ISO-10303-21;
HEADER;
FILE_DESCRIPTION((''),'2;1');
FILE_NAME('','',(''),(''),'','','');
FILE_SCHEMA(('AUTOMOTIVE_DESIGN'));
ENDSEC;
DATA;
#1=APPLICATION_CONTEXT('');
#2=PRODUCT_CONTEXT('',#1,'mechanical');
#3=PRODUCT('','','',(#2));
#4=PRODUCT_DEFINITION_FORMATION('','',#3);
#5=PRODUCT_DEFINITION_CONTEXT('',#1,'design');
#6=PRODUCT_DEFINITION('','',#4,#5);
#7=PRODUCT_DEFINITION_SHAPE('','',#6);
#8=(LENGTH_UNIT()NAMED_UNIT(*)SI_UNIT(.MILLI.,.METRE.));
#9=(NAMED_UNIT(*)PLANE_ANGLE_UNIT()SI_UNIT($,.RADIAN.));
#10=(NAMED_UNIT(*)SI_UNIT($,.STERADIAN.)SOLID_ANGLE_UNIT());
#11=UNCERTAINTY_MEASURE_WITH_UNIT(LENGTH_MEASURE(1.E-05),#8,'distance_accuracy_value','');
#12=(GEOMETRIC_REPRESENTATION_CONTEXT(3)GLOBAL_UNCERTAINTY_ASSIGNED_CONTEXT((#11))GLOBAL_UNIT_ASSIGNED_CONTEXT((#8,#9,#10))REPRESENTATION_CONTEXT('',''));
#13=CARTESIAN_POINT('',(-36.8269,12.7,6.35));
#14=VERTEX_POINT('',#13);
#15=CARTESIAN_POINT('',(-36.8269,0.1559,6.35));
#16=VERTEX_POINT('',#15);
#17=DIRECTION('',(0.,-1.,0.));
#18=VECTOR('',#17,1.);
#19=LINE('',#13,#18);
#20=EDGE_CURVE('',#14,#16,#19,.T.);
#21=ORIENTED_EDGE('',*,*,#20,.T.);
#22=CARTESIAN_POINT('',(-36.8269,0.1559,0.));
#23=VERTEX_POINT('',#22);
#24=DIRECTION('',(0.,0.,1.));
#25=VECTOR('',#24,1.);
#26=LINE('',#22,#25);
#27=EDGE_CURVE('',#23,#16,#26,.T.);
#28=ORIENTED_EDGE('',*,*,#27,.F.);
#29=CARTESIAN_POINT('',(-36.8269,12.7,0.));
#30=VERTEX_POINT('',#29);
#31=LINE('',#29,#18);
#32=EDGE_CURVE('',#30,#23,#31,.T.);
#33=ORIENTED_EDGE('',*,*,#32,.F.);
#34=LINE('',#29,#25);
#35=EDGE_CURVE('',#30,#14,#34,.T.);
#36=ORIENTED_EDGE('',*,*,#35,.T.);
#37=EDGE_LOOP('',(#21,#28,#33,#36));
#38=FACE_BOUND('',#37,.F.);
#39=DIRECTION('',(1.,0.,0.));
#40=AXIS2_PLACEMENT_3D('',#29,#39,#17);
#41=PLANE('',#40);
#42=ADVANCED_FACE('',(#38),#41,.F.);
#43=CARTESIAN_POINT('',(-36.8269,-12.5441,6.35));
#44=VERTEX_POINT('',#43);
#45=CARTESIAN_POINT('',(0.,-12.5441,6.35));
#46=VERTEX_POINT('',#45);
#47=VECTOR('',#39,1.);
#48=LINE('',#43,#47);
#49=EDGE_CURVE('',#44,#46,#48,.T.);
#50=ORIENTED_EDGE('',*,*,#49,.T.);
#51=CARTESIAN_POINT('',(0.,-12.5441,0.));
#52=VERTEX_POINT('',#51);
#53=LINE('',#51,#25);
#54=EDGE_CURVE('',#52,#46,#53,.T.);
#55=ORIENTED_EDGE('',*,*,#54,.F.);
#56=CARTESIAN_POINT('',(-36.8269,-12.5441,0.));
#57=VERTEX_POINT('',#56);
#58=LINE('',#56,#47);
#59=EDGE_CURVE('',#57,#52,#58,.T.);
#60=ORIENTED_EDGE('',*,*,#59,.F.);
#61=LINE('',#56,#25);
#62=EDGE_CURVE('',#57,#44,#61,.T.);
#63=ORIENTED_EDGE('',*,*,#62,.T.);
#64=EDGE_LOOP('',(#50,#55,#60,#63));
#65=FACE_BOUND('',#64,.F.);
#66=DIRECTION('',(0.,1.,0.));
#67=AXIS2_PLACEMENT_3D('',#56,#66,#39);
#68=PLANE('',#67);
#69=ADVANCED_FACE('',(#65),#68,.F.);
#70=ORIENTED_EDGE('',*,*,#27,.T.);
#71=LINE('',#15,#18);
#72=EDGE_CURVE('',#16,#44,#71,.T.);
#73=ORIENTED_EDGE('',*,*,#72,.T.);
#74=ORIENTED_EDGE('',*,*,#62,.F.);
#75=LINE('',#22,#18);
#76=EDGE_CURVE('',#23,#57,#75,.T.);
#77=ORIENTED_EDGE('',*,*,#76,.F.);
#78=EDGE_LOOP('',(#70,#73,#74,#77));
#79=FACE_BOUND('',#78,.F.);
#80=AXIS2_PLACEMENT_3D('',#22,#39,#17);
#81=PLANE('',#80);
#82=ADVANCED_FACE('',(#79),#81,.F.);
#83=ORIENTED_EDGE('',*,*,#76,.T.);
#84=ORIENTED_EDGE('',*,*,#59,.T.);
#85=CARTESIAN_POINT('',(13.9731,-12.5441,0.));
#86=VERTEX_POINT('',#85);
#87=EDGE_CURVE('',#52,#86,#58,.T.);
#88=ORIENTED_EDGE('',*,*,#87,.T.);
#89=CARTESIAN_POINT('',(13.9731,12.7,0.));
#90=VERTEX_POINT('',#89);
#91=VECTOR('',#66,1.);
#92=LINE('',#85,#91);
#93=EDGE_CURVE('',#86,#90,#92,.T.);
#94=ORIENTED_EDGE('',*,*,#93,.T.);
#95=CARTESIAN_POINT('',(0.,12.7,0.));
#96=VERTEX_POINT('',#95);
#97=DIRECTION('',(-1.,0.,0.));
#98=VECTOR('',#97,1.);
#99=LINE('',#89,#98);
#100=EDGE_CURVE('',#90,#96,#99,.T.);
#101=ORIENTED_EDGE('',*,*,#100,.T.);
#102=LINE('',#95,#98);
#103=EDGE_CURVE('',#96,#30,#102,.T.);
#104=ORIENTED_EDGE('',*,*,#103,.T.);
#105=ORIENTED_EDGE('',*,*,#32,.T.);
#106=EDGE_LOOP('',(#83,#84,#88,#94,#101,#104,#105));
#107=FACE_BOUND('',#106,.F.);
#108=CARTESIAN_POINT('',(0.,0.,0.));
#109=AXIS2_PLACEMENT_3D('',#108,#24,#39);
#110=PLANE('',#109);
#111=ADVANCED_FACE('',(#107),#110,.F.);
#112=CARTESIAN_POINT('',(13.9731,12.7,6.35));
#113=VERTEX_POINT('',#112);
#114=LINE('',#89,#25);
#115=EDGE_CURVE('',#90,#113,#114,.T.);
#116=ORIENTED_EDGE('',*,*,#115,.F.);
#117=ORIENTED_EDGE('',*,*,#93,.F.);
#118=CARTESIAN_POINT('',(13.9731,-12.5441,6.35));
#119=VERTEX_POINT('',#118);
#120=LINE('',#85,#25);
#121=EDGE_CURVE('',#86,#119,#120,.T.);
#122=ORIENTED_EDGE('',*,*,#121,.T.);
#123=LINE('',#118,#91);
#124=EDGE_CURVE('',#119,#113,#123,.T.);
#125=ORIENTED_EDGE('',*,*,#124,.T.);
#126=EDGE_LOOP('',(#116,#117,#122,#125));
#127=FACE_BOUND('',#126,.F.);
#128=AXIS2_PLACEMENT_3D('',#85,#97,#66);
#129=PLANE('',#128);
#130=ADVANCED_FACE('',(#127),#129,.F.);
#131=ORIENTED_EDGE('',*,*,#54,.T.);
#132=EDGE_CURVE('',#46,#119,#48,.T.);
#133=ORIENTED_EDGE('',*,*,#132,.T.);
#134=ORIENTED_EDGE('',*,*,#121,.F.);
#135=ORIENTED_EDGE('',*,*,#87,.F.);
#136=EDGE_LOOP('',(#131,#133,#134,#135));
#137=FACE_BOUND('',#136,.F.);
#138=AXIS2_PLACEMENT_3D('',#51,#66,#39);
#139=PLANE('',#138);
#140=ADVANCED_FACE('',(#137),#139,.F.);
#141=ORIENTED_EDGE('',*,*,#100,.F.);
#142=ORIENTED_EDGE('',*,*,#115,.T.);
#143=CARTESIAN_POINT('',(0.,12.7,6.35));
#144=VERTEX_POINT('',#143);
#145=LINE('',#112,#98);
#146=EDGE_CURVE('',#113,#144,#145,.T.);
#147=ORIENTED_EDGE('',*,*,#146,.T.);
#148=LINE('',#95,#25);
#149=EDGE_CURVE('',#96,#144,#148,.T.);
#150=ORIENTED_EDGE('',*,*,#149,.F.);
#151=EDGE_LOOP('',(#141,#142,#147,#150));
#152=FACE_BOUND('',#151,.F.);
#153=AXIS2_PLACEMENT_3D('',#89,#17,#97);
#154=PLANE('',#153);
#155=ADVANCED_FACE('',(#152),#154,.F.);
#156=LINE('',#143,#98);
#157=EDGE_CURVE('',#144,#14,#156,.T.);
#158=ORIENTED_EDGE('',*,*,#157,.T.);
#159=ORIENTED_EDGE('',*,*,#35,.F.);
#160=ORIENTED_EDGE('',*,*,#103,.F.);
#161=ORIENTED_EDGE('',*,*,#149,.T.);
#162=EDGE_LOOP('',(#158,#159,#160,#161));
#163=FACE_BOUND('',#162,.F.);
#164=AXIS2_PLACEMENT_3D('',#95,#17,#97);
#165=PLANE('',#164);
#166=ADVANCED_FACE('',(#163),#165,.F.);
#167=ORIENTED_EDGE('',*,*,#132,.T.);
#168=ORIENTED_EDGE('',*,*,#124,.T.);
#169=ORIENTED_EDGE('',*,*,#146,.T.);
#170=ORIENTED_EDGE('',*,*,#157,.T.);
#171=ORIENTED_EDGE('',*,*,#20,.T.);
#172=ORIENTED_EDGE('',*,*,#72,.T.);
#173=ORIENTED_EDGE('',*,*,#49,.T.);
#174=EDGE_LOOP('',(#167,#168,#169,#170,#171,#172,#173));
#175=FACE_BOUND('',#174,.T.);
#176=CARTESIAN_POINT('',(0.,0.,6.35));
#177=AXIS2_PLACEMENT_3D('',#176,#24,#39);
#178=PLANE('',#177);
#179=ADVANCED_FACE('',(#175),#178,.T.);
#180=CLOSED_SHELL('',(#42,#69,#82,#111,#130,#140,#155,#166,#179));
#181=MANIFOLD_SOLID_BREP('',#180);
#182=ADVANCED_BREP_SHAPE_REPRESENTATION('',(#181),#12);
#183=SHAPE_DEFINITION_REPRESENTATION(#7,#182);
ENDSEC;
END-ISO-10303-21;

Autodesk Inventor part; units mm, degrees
ref_plane "YZ Plane" through (0, 0, 0) normal (1, 0, 0) x (0, 1, 0)
ref_plane "XZ Plane" through (0, 0, 0) normal (0, 1, 0) x (-1, 0, 0)
ref_plane "XY Plane" through (0, 0, 0) normal (0, 0, 1) x (1, 0, 0)
sketch "Sketch1" plane through (0, 0, 0) normal (0, 0, 1) x (1, 0, 0)
  circle A0 centre (65.7667, 0.0011) radius 1.1 projected
  line L0 (-36.8269, 0.1559) -> (-36.8269, -12.5441)
  line L1 (-36.8269, -12.5441) -> (0, -12.5441)
  line L2 (0, 12.7) -> (-36.8269, 12.7)
  line L3 (-36.8269, 12.7) -> (-36.8269, -12.5441)
  line L4 (-36.8269, -12.5441) -> (13.9731, -12.5441)
  line L5 (13.9731, -12.5441) -> (13.9731, 12.7)
  line L6 (13.9731, 12.7) -> (-36.8269, 12.7)
  line L7 (-36.8269, 12.7) -> (-36.8269, -12.5441)
  point P0 (0, 0)
  dimension "d0" = 12.7
  dimension "d1" = 12.7
  dimension "d4" = 50.8
extrude "Extrusion2" add sketch "Sketch1" along normal blind 6.35 contours L3 L2 L6 L5 L4 L1 L0
properties part number "ESC"
